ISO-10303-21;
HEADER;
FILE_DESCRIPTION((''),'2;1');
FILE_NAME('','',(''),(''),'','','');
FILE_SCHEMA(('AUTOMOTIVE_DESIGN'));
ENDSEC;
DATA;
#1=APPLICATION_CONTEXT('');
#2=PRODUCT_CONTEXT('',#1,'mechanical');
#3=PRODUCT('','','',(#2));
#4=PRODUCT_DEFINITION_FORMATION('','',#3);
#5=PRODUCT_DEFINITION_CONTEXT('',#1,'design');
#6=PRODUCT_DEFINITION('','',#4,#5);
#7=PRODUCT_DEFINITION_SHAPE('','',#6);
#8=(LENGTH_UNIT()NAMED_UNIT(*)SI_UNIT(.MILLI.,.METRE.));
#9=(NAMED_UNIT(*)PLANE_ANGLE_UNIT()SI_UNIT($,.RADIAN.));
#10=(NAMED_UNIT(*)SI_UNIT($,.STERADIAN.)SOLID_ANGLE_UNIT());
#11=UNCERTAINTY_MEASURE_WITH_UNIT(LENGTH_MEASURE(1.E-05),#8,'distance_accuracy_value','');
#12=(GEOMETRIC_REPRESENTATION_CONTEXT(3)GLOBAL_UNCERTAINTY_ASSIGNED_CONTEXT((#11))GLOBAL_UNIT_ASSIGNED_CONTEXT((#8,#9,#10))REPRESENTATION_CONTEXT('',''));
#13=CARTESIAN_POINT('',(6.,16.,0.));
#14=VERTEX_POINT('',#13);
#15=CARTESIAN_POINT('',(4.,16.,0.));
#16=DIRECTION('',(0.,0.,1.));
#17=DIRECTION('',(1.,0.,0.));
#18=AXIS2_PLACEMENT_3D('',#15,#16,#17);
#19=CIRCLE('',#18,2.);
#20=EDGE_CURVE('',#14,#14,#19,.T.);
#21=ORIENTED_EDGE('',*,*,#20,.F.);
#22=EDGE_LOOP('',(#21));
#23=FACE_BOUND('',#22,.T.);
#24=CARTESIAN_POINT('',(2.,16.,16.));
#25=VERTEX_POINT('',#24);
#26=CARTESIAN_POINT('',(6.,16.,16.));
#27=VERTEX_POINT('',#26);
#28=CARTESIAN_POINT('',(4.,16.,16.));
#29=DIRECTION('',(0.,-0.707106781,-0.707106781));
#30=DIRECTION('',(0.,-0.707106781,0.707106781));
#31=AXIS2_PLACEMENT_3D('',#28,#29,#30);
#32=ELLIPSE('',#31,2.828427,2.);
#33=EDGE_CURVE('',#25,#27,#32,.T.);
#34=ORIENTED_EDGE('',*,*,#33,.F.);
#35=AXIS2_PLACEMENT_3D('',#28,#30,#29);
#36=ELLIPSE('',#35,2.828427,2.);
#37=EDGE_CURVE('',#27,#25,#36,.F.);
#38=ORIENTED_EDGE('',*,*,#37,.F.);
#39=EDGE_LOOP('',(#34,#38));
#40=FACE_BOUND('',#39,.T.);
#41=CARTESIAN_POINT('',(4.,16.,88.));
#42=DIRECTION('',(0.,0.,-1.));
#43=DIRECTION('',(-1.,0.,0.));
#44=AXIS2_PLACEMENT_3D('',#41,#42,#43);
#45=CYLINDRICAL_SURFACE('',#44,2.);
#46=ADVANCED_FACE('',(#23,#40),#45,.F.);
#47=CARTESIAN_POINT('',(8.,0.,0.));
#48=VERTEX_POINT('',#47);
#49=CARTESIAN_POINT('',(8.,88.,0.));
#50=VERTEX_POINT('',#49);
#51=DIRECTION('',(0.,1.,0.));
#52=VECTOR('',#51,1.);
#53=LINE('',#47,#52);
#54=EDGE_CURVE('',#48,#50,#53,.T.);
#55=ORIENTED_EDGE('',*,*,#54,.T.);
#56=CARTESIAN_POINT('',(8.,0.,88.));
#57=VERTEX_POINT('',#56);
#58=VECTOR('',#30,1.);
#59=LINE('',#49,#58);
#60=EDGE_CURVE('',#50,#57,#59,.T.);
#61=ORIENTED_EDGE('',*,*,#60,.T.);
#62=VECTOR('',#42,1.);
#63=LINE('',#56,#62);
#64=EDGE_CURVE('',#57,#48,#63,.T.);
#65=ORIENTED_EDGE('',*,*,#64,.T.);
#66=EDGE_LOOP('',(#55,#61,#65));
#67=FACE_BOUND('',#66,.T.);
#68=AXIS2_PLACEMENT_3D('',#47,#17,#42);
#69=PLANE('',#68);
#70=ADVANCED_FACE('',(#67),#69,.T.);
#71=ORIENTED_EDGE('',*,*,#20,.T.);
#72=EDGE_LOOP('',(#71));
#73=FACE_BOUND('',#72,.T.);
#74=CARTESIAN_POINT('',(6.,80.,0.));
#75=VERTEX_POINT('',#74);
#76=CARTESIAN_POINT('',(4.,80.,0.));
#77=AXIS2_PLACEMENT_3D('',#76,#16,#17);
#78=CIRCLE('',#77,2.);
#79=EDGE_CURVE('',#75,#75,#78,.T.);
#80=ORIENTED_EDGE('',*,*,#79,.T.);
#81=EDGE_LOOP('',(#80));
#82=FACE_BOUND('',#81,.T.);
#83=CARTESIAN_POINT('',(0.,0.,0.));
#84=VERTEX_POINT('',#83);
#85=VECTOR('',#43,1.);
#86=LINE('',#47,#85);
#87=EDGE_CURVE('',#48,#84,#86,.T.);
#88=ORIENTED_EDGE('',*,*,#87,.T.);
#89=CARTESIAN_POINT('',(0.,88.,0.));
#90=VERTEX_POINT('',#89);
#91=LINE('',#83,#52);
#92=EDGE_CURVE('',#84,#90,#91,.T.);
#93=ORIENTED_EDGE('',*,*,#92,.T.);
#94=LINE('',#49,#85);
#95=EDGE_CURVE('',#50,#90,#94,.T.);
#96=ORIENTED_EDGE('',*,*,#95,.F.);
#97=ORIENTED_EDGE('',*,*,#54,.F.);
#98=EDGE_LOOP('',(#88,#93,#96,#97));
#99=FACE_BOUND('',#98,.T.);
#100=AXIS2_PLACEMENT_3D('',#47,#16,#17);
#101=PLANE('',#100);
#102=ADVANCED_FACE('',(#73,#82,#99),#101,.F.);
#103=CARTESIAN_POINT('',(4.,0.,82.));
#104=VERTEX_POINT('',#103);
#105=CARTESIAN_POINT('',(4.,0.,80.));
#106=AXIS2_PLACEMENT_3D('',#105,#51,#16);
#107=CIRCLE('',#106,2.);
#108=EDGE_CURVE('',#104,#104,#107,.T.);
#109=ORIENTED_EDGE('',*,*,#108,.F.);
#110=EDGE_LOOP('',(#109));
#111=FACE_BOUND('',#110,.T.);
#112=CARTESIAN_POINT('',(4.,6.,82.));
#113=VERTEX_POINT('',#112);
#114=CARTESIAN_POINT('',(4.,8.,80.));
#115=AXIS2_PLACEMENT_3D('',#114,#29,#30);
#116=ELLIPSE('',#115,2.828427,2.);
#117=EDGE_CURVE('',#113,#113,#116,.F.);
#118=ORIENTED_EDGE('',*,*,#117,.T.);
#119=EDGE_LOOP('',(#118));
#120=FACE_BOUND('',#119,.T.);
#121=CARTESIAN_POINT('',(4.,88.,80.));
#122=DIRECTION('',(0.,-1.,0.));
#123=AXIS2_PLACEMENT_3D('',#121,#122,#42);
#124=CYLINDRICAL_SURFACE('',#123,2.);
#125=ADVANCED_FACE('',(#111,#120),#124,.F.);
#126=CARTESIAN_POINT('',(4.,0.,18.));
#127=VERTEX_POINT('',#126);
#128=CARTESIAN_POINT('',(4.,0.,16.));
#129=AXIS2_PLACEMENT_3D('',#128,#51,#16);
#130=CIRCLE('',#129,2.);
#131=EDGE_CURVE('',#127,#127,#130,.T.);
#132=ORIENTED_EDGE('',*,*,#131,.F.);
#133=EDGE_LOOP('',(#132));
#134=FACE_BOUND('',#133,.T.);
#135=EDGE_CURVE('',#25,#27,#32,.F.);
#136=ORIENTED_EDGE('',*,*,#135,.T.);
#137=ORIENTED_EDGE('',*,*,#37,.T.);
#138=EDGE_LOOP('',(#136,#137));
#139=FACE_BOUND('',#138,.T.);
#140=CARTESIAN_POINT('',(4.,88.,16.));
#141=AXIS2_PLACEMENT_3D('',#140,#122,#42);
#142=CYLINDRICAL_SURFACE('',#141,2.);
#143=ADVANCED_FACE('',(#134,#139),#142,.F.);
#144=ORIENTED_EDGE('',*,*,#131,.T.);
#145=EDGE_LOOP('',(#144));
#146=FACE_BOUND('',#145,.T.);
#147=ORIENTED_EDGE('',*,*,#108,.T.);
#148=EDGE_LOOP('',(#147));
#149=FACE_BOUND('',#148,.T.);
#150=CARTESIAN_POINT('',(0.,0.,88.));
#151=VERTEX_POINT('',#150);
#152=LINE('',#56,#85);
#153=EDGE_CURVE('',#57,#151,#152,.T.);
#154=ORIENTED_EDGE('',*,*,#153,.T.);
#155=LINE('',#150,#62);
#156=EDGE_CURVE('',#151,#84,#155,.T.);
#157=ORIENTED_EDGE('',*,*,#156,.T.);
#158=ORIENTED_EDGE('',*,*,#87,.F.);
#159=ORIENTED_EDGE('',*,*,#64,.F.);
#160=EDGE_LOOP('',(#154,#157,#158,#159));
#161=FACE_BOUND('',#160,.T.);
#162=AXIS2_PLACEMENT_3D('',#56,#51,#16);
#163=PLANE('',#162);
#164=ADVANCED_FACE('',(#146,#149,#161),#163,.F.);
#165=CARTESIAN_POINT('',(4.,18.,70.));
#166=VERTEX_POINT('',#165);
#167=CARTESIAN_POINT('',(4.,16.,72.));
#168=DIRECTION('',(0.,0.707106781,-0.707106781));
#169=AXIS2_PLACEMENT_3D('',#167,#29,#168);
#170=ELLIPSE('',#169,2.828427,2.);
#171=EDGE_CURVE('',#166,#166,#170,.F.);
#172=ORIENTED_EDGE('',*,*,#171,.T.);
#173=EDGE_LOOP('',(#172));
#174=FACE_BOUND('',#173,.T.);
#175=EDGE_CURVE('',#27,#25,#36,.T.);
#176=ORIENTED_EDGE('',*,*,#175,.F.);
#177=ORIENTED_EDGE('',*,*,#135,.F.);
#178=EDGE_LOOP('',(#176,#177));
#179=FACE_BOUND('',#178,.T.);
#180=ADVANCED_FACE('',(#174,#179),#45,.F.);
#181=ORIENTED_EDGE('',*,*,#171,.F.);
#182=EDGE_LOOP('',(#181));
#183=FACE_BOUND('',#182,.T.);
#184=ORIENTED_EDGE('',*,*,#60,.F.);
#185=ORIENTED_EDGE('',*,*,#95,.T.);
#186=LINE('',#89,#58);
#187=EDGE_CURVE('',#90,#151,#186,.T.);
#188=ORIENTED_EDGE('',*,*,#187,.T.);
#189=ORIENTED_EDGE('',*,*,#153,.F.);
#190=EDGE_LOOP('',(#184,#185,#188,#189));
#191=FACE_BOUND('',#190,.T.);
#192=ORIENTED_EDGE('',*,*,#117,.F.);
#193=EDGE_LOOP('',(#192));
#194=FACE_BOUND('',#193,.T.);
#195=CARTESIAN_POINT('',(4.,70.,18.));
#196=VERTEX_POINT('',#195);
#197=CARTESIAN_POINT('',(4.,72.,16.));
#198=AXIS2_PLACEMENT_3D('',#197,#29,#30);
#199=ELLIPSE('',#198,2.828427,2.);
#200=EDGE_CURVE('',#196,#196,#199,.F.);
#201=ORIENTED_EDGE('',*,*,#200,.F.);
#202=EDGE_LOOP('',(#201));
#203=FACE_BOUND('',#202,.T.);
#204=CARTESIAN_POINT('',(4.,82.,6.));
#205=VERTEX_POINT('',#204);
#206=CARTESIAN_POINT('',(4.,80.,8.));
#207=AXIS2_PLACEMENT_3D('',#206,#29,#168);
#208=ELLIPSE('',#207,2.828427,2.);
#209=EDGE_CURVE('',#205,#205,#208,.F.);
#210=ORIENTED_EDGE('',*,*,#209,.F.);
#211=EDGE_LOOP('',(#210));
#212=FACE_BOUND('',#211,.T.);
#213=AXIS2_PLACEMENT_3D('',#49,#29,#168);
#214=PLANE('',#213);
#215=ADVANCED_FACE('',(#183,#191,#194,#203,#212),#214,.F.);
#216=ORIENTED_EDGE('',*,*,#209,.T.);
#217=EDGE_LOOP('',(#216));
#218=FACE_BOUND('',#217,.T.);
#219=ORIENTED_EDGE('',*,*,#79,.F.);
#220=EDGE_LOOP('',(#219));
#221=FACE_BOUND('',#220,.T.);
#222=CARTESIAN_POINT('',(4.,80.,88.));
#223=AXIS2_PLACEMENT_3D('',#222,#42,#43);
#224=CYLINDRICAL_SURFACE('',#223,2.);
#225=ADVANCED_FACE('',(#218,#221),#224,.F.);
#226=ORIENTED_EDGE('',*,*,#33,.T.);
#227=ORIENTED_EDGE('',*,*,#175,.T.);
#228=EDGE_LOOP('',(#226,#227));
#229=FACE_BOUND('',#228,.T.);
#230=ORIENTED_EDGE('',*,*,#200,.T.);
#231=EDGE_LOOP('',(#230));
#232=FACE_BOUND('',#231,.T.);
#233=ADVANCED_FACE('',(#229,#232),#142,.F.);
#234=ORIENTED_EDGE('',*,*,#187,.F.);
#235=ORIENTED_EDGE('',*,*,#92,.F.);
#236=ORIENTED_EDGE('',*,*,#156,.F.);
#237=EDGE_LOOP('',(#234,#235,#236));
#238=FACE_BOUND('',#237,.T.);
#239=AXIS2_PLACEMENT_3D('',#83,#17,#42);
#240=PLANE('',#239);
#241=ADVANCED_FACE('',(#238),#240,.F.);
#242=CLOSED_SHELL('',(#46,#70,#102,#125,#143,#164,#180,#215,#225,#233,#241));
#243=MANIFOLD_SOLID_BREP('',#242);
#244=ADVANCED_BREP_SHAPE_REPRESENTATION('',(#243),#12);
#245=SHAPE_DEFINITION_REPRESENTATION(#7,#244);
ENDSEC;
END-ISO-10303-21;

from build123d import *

# Parameters (mm, degrees)
BOSS_EXTRUDE1_DEPTH = 8
SKETCH2_R           = 2
CUT_EXTRUDE1_DEPTH  = 125.707658145
SKETCH3_R           = 2
CUT_EXTRUDE2_DEPTH  = 125.707658145


with BuildPart() as part:
    # Sketch1 → Boss-Extrude1 (new body)
    with BuildSketch(Plane(origin=(0, 0, 0), x_dir=(0, 0, -1), z_dir=(1, 0, 0))):
        Polygon((-88, 0), (0, 0), (0, 88), align=None)
    extrude(amount=BOSS_EXTRUDE1_DEPTH)

    # Sketch2 → Cut-Extrude1 (cut, through all)
    with BuildSketch(Plane(origin=(0, 0, 0), x_dir=(1, 0, 0), z_dir=(0, 1, 0))):
        with Locations(Location((4, -16, 0), (0, 0, 270))):
            Circle(SKETCH2_R)
        with Locations(Location((4, -80, 0), (0, 0, 270))):
            Circle(SKETCH2_R)
    extrude(amount=CUT_EXTRUDE1_DEPTH, mode=Mode.SUBTRACT)

    # Sketch3 → Cut-Extrude2 (cut, through all)
    with BuildSketch(Plane.XY):
        with Locations((4, 16)):
            Circle(SKETCH3_R)
        with Locations(Location((4, 80, 0), (0, 0, 90))):
            Circle(SKETCH3_R)
    extrude(amount=CUT_EXTRUDE2_DEPTH, mode=Mode.SUBTRACT)


solid = part.part
